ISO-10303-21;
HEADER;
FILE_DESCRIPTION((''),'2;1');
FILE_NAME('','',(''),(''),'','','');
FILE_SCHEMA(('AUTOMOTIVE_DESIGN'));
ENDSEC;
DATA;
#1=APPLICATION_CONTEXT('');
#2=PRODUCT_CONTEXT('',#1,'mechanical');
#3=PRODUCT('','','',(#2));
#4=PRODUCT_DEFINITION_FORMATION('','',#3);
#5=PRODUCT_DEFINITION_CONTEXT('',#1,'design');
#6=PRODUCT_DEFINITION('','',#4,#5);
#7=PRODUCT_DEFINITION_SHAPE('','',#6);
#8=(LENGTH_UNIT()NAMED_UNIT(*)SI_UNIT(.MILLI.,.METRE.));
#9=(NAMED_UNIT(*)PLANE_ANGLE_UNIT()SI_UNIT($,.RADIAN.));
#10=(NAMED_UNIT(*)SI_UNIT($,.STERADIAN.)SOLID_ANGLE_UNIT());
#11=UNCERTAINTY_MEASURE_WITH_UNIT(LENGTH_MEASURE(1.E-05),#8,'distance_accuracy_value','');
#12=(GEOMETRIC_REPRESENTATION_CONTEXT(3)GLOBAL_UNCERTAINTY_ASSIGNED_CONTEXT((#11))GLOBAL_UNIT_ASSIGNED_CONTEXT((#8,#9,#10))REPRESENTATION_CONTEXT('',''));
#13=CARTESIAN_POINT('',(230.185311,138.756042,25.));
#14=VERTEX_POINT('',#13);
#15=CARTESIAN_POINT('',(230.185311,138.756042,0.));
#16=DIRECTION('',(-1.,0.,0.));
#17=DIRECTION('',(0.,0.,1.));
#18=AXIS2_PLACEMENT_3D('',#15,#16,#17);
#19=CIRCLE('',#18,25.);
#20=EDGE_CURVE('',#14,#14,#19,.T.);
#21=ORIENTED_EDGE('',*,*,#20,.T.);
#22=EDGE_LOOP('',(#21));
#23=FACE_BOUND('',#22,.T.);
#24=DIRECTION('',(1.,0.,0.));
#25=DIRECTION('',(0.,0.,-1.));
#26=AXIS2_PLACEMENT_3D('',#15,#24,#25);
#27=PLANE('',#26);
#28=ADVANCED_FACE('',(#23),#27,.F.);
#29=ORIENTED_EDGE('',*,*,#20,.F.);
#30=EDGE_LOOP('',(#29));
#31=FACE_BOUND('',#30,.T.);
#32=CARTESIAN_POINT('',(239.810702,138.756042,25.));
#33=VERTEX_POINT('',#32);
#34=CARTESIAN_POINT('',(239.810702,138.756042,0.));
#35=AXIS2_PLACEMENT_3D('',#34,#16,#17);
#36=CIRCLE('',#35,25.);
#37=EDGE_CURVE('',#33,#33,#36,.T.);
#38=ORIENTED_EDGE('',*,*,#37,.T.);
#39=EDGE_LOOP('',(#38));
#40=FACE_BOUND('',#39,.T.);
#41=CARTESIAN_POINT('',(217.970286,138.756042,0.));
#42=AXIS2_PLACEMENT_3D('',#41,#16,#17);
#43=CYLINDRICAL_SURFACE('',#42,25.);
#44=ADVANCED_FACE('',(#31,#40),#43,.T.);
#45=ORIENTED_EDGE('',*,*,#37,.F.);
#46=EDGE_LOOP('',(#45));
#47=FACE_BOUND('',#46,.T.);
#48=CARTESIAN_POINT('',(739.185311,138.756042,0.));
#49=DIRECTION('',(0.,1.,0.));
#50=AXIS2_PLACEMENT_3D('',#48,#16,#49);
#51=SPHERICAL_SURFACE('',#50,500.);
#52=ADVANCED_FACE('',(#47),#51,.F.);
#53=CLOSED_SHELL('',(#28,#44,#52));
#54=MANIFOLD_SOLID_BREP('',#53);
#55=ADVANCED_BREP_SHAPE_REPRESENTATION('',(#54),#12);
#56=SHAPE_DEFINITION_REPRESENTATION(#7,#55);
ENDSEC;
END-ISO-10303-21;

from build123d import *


with BuildPart() as part:
    # 草图1 → 旋转1 (revolve)
    with BuildSketch(Plane.XY):
        with BuildLine():
            Line((230.18531107, 138.756042247), (230.18531107, 163.756042247))
            Line((230.18531107, 163.756042247), (239.810702183, 163.756042247))
            ThreePointArc((239.810702183, 163.756042247), (239.3416833, 151.259952776), (239.185311069, 138.756042247))
            Line((239.185311069, 138.756042247), (230.18531107, 138.756042247))
        make_face()
    revolve(axis=Axis((217.970286004, 138.756042247, 0), (1, 0, 0)))


solid = part.part
